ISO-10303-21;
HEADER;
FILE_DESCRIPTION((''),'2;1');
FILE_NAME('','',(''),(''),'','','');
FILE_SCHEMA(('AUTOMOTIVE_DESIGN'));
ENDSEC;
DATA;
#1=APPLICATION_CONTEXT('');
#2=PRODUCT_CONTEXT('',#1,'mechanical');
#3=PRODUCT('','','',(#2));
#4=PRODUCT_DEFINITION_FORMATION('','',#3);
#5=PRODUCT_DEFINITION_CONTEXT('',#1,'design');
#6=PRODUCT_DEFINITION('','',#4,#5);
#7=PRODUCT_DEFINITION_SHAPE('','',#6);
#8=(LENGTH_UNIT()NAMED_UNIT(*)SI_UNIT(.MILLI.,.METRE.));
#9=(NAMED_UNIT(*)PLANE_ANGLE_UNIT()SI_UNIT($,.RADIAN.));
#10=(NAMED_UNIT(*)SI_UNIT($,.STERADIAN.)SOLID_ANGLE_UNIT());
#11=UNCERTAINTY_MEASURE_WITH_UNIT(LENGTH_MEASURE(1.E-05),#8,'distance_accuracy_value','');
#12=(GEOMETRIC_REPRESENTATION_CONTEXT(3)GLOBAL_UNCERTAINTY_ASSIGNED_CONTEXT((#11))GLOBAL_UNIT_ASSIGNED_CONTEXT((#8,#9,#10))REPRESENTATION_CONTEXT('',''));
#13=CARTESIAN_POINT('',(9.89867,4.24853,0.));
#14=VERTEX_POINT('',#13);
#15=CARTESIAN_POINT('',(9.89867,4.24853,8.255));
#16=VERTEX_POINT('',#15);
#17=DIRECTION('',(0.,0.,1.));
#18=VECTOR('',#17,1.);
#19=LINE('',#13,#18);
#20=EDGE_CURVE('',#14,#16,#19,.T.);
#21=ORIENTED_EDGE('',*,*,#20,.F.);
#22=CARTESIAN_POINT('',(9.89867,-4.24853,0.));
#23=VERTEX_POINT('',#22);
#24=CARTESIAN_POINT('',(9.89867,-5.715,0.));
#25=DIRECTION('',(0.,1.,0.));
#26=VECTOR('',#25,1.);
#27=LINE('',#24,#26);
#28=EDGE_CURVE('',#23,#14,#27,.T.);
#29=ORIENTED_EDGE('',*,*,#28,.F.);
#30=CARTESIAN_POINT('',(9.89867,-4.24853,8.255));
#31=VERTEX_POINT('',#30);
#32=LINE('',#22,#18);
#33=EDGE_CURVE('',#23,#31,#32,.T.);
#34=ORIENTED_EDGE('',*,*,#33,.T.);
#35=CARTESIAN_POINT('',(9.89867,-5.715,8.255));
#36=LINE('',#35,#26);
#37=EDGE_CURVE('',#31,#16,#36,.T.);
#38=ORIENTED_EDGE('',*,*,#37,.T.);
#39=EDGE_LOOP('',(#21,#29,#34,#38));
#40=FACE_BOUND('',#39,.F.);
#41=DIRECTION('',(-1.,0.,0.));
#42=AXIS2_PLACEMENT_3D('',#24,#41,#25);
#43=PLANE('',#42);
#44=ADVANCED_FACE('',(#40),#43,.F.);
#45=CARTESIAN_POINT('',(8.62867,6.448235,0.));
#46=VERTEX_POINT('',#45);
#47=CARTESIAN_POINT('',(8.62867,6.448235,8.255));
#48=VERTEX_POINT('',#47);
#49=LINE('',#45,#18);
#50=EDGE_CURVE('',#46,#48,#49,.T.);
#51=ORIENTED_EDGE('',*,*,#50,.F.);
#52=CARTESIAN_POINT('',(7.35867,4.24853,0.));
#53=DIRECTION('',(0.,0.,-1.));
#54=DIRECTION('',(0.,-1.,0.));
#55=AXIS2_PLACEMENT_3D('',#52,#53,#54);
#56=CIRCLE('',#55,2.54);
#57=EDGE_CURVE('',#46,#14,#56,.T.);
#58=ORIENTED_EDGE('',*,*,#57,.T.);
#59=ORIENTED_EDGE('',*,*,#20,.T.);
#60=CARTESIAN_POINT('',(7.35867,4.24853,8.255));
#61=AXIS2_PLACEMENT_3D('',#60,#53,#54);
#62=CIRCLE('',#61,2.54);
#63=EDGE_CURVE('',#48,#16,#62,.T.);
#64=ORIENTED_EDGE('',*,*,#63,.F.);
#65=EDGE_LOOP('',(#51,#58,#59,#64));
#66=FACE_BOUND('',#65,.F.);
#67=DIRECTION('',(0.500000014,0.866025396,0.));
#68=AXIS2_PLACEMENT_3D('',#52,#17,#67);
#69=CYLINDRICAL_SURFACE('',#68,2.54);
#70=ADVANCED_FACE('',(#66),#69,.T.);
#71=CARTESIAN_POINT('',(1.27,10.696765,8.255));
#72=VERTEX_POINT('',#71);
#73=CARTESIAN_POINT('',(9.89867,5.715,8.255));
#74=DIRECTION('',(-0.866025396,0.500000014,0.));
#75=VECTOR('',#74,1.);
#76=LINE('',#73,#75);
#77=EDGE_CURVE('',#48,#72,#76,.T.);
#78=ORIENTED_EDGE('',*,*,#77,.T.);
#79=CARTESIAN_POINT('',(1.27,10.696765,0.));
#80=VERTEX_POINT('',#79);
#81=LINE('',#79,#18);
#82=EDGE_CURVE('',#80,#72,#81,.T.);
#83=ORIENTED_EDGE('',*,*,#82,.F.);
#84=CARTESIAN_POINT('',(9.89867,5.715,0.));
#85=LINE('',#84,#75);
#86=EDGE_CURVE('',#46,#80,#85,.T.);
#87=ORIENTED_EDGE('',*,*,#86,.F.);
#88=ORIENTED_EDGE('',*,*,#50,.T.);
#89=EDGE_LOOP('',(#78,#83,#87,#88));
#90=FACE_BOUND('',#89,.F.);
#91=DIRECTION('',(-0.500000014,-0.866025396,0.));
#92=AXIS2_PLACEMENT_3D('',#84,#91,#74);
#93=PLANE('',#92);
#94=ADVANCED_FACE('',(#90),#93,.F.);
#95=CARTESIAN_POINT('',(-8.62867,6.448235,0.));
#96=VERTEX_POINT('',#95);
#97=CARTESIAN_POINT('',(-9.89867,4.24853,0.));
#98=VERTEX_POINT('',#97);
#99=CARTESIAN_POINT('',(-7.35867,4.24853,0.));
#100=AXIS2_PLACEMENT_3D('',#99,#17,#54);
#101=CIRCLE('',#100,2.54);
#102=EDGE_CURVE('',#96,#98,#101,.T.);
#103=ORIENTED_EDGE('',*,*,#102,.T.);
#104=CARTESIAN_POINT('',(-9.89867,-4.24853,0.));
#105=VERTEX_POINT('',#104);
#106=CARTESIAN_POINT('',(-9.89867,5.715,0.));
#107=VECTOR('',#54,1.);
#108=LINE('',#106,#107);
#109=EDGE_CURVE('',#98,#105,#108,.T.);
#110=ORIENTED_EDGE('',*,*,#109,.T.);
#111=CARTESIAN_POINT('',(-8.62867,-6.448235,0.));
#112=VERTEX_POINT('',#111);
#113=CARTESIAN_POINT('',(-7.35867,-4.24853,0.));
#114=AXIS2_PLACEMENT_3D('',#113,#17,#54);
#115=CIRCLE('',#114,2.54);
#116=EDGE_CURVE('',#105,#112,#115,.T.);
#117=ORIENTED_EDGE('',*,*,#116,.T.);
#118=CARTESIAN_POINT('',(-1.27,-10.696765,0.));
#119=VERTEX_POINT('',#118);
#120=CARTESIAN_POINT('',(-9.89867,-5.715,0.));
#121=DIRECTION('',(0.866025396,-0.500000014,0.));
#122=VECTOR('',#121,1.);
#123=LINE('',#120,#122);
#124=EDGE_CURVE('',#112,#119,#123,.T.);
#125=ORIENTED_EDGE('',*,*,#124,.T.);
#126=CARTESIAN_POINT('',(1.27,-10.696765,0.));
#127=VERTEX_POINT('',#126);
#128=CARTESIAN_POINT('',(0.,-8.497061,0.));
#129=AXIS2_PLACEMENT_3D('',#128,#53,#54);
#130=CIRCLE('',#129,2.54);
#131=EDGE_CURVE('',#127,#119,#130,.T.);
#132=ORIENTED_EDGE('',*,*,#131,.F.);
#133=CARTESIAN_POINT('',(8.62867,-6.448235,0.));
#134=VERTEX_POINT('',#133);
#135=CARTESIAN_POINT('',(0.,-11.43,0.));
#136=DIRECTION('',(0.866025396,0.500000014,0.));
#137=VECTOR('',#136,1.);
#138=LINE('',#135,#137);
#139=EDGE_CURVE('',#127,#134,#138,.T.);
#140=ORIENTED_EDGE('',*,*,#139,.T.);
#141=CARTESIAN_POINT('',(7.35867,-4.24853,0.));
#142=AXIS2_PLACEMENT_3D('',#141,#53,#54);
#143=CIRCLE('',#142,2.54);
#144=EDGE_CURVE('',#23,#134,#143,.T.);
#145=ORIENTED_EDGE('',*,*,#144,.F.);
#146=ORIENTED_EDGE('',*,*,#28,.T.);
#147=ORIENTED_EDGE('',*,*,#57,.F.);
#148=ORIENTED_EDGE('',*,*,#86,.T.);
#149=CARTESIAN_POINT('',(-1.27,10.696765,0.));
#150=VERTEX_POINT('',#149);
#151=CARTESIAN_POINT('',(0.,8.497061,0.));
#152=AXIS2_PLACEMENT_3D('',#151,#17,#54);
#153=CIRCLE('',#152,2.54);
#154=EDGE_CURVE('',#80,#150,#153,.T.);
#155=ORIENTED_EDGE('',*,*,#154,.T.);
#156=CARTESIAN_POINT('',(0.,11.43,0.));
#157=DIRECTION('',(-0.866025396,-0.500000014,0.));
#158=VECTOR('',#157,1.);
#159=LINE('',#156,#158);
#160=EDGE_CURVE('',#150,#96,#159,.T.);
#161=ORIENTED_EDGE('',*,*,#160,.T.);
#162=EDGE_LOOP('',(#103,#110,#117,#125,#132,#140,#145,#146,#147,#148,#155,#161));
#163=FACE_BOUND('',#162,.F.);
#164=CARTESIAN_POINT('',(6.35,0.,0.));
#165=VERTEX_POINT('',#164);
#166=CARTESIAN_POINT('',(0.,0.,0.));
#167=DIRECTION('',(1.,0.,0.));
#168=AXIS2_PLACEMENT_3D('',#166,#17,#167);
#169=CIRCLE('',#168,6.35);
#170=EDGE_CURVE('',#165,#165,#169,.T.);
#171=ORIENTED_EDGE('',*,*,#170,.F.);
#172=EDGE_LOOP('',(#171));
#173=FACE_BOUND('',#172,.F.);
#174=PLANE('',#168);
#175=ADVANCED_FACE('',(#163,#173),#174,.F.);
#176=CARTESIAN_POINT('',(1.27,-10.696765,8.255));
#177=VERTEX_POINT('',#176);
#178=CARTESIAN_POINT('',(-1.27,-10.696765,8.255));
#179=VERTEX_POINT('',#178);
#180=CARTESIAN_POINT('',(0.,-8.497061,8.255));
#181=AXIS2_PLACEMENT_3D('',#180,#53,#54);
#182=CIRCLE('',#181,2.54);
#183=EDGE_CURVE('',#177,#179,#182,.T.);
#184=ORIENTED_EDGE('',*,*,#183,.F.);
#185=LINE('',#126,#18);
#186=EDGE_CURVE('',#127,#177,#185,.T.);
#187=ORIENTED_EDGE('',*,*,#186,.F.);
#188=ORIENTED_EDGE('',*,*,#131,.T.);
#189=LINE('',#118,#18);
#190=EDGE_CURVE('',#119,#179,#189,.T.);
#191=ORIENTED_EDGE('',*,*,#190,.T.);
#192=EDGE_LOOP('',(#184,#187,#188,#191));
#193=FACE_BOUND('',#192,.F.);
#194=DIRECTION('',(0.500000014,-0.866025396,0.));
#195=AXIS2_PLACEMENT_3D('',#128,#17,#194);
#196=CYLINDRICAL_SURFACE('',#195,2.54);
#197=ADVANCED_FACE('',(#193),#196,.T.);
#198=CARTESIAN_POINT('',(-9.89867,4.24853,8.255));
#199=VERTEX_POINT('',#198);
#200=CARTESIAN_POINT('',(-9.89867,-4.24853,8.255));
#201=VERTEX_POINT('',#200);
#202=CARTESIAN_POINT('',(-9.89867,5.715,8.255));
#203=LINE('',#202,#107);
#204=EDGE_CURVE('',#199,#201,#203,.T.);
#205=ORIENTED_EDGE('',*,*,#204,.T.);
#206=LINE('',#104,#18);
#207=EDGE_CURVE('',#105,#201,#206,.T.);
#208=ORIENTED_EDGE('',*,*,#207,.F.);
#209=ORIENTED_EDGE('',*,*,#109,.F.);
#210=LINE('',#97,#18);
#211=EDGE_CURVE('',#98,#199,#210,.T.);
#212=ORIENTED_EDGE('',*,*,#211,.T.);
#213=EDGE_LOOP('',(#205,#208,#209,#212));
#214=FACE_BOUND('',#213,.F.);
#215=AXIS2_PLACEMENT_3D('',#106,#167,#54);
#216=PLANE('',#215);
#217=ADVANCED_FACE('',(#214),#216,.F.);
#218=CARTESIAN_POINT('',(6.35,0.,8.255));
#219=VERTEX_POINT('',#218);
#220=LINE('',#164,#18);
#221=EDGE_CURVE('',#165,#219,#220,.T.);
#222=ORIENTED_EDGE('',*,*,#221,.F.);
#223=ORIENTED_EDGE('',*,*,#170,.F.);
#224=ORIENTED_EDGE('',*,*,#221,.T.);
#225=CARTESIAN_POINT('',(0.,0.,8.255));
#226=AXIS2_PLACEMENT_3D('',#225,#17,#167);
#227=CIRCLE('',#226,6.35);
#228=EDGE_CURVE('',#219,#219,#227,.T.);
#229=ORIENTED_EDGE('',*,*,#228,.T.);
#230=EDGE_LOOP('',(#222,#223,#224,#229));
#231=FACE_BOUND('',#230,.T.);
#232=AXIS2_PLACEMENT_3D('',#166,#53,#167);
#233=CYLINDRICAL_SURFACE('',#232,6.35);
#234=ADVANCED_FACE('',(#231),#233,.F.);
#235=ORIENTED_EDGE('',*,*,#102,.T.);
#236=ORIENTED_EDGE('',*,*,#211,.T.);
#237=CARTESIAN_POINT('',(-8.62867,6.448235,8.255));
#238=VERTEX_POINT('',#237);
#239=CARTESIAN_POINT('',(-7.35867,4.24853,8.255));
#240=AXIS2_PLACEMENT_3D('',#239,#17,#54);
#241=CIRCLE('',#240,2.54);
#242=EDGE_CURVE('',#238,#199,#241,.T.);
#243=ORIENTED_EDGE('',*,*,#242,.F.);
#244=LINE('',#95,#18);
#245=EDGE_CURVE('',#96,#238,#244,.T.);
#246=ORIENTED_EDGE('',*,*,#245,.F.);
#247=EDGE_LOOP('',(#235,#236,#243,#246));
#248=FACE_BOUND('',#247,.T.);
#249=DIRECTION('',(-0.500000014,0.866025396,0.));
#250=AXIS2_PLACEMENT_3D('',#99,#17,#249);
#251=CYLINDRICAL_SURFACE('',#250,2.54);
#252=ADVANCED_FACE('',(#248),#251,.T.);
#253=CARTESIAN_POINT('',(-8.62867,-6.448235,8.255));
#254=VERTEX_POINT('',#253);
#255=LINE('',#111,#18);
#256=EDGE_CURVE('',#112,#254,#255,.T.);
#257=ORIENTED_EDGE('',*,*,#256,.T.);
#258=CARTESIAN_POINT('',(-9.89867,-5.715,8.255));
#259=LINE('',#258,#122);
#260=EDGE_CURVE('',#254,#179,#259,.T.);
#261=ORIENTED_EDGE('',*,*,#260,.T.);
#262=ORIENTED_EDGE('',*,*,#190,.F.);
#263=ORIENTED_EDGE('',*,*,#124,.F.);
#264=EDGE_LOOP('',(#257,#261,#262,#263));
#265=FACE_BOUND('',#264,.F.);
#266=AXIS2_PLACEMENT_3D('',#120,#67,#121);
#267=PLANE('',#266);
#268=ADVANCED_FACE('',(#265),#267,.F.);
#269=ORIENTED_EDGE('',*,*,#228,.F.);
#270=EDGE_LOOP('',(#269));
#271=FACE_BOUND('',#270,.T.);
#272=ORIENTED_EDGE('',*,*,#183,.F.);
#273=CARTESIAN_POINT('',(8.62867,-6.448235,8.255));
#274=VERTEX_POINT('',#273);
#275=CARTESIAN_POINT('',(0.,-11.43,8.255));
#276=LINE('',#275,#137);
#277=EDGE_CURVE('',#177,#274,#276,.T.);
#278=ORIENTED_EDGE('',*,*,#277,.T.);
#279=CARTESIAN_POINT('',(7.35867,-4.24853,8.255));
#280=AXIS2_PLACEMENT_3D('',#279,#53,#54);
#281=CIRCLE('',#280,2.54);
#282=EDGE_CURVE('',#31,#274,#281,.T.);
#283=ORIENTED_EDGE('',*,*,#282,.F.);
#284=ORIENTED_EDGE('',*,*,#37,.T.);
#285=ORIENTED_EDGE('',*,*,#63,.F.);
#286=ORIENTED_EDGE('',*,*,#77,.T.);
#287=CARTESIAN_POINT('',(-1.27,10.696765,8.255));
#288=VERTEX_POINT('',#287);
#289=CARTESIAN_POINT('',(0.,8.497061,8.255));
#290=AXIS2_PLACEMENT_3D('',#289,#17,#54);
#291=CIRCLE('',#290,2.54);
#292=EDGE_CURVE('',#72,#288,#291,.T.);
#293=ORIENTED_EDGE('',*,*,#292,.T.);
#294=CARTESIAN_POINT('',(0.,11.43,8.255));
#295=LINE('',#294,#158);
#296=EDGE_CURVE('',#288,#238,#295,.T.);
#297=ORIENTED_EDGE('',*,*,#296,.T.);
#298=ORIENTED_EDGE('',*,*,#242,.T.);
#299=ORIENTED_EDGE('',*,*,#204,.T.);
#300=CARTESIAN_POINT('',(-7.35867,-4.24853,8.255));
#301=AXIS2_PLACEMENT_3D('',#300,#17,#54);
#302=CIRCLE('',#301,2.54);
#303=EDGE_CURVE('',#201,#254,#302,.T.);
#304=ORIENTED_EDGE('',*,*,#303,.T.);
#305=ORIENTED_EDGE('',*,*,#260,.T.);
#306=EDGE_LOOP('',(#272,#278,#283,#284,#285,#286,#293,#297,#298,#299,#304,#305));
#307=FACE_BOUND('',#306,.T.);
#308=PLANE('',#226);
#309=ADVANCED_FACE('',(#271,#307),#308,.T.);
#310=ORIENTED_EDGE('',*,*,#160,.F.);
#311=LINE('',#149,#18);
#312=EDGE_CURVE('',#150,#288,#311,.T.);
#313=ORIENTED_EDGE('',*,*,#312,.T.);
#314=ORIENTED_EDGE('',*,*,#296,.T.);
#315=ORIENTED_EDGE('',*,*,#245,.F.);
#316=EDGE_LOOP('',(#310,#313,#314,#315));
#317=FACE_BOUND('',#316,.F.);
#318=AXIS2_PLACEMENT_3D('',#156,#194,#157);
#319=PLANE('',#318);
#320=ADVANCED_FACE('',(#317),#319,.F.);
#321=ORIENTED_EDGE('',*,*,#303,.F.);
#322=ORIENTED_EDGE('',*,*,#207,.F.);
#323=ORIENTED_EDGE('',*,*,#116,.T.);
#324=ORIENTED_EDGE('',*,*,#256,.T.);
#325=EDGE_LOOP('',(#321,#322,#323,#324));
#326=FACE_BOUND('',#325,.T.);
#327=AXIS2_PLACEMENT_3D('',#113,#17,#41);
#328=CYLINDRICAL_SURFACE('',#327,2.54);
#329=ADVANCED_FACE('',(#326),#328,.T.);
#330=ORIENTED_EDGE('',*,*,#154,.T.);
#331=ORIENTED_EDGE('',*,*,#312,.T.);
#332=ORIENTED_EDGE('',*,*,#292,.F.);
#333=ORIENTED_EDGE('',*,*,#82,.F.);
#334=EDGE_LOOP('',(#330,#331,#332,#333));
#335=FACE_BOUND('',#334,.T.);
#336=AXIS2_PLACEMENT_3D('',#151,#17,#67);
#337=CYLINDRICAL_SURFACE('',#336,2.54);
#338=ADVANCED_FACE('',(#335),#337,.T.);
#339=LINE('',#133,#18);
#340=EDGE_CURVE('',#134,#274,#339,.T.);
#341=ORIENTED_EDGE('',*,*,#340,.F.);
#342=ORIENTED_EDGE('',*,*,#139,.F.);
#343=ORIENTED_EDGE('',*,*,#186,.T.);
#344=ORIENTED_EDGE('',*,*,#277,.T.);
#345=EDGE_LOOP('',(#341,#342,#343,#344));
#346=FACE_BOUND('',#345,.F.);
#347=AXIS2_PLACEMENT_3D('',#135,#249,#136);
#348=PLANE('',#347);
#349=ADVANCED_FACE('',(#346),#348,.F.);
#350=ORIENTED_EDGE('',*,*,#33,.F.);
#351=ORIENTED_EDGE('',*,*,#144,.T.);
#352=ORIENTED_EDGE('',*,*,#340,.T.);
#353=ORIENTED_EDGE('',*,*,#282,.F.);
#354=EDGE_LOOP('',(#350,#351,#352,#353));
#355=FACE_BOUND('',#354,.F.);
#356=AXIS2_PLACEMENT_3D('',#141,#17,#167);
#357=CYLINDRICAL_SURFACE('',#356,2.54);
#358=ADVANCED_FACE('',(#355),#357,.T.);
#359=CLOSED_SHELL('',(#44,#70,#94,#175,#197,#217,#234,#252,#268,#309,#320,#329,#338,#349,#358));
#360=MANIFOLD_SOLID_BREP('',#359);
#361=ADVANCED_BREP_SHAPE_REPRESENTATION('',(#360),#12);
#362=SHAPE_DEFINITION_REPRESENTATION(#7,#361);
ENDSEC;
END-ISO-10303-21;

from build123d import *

# Parameters (mm, degrees)
F0_R     = 6.35
F1_DEPTH = 8.255
F2_R     = 2.54


with BuildPart() as f1:
    # F0 (on Top) → F1 (new body)
    with BuildSketch(Plane.XY):
        Polygon((9.89867, 5.715), (0, 11.43), (-9.89867, 5.715), (-9.89867, -5.715), (0, -11.43), (9.89867, -5.715), align=None)
        Circle(F0_R, mode=Mode.SUBTRACT)
    extrude(amount=F1_DEPTH)

    # F2
    f2_edges = [f1.edges().sort_by_distance(p)[0] for p in [
        (-9.89867, -5.715, 4.1275),
        (0, -11.43, 4.1275),
        (9.89867, -5.715, 4.1275),
        (9.89867, 5.715, 4.1275),
        (0, 11.43, 4.1275),
        (-9.89867, 5.715, 4.1275),
    ]]
    fillet(f2_edges, radius=F2_R)


solid = f1.part
